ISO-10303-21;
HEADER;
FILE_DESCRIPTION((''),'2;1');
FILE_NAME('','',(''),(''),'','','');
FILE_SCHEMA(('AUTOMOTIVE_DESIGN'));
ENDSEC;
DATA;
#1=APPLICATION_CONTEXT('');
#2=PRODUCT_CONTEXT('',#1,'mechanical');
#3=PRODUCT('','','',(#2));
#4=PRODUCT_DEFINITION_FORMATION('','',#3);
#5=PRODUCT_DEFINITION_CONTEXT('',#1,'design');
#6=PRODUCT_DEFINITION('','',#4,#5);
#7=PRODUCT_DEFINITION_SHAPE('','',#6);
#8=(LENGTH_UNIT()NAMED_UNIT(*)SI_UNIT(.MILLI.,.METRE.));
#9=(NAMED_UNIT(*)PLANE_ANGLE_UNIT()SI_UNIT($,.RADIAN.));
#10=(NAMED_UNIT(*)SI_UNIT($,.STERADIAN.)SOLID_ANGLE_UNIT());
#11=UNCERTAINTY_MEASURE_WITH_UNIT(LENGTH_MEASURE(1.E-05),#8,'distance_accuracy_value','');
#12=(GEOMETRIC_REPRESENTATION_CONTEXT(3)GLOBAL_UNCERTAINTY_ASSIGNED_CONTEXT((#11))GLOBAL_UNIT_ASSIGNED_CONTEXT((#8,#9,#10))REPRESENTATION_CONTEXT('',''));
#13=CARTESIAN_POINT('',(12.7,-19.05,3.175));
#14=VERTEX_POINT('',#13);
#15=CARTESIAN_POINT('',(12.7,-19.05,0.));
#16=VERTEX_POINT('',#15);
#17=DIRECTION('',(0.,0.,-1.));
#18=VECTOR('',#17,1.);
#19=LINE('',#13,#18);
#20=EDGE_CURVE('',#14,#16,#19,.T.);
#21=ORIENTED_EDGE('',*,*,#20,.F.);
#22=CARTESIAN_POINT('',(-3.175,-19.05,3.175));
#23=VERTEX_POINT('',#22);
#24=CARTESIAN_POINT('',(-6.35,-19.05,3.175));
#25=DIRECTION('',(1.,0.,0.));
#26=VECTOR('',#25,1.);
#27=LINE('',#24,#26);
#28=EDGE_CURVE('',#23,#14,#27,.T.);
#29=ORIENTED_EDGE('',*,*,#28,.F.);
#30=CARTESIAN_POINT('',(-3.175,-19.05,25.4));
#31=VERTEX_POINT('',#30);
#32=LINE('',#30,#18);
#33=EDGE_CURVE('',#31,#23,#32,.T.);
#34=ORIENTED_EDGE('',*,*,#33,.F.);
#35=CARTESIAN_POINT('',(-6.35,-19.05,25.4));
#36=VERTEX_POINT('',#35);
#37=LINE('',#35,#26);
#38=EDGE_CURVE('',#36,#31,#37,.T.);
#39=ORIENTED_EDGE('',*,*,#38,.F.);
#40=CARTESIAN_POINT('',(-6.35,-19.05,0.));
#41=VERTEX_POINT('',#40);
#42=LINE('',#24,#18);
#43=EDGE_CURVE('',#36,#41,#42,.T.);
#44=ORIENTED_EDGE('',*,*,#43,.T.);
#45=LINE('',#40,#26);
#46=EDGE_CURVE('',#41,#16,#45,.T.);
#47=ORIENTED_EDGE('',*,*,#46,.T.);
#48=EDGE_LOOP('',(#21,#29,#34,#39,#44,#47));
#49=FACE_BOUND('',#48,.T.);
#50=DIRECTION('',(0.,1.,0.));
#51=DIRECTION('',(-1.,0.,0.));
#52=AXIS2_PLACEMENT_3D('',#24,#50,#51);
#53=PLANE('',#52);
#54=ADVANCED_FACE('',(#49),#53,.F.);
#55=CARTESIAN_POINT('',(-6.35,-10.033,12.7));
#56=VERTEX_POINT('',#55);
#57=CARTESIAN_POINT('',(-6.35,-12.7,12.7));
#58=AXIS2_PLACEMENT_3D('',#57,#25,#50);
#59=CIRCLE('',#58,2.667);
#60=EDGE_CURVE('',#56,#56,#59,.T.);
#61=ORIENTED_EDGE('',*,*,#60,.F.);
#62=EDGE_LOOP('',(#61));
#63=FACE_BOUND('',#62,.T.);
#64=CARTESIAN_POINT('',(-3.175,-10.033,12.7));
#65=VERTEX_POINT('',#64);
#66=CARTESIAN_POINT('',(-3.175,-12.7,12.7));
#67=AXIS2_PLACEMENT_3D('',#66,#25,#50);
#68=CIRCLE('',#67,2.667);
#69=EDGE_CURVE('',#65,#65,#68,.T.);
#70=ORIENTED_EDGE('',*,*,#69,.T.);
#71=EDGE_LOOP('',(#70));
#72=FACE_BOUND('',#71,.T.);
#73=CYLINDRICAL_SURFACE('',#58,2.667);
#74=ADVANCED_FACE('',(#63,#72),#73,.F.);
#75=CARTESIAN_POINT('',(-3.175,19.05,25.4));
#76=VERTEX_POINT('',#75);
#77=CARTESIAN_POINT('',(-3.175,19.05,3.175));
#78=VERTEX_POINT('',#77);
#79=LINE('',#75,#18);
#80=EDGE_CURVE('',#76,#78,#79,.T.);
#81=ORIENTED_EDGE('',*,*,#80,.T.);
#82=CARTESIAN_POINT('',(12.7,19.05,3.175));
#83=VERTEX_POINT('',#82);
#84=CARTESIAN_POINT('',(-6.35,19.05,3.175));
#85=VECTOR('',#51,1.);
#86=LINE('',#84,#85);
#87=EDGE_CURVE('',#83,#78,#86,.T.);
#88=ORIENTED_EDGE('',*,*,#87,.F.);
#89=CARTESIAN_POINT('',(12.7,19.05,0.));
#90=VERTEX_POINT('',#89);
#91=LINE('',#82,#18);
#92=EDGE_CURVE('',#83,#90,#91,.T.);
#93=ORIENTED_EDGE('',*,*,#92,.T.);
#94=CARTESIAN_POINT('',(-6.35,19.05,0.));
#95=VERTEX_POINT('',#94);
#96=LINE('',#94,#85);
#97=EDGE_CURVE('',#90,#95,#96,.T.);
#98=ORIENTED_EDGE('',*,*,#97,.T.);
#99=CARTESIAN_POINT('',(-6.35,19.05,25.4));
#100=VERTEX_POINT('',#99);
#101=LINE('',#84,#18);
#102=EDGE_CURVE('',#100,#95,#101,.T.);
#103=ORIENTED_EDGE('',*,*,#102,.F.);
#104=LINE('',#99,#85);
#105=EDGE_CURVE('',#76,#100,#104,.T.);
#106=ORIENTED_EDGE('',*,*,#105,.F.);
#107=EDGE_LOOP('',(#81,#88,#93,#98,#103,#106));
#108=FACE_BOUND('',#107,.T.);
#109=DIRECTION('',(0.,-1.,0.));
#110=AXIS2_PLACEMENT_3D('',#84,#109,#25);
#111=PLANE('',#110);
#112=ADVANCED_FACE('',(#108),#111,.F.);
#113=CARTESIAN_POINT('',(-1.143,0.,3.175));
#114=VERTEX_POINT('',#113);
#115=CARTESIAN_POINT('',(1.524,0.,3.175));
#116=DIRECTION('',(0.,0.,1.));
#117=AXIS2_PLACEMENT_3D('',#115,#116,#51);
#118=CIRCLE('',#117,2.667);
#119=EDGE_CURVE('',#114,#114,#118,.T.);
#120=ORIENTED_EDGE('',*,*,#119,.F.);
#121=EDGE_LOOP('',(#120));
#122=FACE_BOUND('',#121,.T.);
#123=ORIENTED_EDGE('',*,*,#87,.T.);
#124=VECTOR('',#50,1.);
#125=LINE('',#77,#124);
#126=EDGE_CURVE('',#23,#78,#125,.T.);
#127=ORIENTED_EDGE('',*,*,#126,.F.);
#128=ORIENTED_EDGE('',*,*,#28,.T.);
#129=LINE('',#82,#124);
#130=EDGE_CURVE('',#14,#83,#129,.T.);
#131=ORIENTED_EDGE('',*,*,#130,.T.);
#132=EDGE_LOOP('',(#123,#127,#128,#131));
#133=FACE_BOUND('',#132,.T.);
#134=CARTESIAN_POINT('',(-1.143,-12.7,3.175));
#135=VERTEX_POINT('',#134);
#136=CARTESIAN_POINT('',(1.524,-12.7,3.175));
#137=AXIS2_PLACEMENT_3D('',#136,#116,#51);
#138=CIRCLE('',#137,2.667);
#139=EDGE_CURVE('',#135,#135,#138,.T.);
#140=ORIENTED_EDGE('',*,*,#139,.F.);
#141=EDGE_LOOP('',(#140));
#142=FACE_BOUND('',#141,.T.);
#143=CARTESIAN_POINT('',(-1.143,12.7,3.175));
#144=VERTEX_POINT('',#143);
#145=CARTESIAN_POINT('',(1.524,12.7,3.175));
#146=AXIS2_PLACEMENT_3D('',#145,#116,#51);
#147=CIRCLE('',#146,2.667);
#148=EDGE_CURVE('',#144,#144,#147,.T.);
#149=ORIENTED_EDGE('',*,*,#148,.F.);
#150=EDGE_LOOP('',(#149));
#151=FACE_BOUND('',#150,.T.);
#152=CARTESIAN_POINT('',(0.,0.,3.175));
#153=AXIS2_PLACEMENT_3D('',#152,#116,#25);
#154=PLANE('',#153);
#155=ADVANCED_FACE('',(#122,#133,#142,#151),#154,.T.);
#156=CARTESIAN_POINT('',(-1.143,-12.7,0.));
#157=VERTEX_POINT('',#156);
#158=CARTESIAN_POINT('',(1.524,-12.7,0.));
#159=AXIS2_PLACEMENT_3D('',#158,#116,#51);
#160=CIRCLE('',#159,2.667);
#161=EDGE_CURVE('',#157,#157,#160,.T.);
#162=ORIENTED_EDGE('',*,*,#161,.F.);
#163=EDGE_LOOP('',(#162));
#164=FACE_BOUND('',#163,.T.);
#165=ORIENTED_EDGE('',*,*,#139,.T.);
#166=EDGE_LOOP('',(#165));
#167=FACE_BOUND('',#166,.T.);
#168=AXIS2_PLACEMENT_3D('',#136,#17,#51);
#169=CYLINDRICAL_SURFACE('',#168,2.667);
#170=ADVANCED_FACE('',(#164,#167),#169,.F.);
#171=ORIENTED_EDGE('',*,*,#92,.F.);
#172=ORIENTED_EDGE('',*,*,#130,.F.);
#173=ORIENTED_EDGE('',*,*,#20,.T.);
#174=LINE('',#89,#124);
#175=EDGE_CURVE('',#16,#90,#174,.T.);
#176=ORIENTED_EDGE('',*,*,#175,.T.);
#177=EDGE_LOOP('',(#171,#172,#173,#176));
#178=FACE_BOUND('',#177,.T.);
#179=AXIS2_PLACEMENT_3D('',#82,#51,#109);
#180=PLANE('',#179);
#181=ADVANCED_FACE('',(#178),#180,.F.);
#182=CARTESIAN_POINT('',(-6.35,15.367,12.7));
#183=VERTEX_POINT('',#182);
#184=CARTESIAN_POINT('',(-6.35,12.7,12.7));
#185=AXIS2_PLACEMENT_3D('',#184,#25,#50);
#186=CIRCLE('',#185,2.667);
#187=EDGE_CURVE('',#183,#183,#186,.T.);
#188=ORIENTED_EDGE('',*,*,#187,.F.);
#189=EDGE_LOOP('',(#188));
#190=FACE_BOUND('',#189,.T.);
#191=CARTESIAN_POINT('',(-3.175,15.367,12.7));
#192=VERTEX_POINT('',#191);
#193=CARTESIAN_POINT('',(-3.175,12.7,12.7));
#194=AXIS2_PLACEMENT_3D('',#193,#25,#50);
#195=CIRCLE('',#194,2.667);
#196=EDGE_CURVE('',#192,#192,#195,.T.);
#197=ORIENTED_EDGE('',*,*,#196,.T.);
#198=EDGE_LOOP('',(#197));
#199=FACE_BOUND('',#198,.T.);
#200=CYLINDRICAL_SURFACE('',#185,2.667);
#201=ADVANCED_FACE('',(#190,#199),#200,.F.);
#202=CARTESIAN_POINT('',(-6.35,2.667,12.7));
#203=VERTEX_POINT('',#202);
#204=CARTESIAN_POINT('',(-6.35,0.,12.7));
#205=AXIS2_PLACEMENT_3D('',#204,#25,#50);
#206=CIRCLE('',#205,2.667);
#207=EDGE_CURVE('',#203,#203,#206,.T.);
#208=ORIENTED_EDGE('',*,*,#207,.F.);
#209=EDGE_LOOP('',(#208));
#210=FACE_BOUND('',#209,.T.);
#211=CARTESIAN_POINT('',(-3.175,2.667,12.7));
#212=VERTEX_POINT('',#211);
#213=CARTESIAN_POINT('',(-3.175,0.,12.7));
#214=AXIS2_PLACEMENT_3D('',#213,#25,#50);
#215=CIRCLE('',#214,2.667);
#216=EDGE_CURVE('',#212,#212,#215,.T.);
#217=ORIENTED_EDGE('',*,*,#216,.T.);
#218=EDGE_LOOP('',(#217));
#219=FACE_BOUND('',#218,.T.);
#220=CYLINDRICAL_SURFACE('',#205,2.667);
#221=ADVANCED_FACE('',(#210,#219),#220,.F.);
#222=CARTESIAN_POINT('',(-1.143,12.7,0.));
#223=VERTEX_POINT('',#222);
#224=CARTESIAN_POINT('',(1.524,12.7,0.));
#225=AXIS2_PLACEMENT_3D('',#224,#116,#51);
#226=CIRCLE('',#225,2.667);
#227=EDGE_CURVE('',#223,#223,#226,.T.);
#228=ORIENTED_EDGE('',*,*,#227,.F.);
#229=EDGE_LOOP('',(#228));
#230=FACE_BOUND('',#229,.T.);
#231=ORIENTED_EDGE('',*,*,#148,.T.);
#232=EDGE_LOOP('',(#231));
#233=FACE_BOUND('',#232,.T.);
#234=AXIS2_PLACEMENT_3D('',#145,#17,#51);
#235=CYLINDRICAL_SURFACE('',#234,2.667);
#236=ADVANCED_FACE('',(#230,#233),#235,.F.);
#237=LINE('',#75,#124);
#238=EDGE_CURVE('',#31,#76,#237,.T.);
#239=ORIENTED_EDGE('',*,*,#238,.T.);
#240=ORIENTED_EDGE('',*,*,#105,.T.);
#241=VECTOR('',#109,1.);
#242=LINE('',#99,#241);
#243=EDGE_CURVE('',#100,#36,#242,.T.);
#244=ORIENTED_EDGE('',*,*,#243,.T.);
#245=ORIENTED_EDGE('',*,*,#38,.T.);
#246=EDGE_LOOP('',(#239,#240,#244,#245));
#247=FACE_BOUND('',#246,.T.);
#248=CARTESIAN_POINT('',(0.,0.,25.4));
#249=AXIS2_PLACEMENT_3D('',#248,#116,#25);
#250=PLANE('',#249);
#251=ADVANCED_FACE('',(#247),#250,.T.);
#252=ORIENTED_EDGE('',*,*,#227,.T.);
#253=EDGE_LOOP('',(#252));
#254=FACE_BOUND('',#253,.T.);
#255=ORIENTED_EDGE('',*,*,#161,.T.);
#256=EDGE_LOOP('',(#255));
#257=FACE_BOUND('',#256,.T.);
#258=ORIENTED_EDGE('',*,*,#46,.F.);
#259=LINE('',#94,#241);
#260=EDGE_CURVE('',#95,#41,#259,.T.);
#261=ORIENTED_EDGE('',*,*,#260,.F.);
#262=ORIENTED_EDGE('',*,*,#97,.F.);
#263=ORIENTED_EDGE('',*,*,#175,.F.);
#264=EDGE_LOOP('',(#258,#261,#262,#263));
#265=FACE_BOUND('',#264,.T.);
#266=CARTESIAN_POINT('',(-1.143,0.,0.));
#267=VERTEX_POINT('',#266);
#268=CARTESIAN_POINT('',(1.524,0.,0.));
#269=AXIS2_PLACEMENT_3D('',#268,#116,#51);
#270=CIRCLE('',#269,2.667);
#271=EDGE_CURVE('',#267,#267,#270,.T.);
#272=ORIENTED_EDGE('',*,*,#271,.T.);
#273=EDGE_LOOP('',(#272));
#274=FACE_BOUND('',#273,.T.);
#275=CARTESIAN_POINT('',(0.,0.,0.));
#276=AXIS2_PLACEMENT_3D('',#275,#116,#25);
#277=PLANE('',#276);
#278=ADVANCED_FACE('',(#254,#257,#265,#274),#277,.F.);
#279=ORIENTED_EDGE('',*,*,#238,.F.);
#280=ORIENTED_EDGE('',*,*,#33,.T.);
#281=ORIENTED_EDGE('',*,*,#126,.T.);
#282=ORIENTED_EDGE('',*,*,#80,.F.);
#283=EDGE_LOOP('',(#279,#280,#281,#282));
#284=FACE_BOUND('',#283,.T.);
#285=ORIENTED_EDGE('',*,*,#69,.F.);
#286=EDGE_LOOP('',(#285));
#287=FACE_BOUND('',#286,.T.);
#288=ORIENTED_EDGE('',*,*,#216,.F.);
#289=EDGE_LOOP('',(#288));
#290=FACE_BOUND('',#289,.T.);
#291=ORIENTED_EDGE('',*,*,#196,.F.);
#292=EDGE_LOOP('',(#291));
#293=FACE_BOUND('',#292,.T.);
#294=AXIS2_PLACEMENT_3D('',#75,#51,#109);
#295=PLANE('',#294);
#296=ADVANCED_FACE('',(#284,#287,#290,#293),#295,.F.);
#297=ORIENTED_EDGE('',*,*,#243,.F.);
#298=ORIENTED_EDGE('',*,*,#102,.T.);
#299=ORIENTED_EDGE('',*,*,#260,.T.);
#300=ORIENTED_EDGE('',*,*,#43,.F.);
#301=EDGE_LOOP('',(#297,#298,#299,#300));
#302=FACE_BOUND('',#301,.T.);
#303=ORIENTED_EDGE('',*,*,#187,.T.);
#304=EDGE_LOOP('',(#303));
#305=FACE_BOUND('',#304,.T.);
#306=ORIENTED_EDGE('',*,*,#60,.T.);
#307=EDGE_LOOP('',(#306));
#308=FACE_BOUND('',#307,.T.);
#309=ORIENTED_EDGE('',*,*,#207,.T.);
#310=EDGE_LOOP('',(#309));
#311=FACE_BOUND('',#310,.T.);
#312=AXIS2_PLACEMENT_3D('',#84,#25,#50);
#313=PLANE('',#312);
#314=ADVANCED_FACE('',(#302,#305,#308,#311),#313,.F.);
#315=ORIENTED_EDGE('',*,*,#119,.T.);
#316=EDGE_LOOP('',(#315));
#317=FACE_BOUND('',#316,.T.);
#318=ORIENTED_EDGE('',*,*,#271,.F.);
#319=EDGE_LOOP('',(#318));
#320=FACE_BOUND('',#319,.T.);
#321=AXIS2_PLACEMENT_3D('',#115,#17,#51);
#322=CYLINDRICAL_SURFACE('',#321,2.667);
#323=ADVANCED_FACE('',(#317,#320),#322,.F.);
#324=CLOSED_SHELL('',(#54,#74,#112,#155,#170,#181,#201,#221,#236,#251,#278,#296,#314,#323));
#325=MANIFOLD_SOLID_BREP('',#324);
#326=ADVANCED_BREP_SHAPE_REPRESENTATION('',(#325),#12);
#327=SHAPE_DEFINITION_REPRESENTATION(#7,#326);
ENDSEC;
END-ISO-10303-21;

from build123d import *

# Parameters (mm, degrees)
SKETCH1_W           = 19.05
SKETCH1_H           = 38.1
SKETCH1_R           = 2.667
BOSS_EXTRUDE1_DEPTH = 3.175
SKETCH2_W           = 3.175
SKETCH2_H           = 38.1
BOSS_EXTRUDE2_DEPTH = 22.225
SKETCH4_R           = 2.667
CUT_EXTRUDE1_DEPTH  = 36.497579143


with BuildPart() as part:
    # Sketch1 → Boss-Extrude1 (new body)
    with BuildSketch(Plane.XY):
        with Locations((3.175, 0)):
            Rectangle(SKETCH1_W, SKETCH1_H)
        with Locations(Location((1.524, -12.7, 0), (0, 0, 180))):
            Circle(SKETCH1_R, mode=Mode.SUBTRACT)
        with Locations(Location((1.524, 0, 0), (0, 0, 180))):
            Circle(SKETCH1_R, mode=Mode.SUBTRACT)
        with Locations(Location((1.524, 12.7, 0), (0, 0, 180))):
            Circle(SKETCH1_R, mode=Mode.SUBTRACT)
    extrude(amount=BOSS_EXTRUDE1_DEPTH)

    # Sketch2 → Boss-Extrude2 (add)
    with BuildSketch(Plane.XY.offset(3.175)):
        with Locations((-4.7625, 0)):
            Rectangle(SKETCH2_W, SKETCH2_H)
    extrude(amount=BOSS_EXTRUDE2_DEPTH)

    # Sketch4 → Cut-Extrude1 (cut, through all)
    with BuildSketch(Plane(origin=(-3.175, 0, 0), x_dir=(0, 0, -1), z_dir=(1, 0, 0))):
        with Locations(Location((-12.7, 0, 0), (0, 0, 90))):
            Circle(SKETCH4_R)
        with Locations(Location((-12.7, 12.7, 0), (0, 0, 90))):
            Circle(SKETCH4_R)
        with Locations(Location((-12.7, -12.7, 0), (0, 0, 90))):
            Circle(SKETCH4_R)
    extrude(amount=-CUT_EXTRUDE1_DEPTH, mode=Mode.SUBTRACT)


solid = part.part
